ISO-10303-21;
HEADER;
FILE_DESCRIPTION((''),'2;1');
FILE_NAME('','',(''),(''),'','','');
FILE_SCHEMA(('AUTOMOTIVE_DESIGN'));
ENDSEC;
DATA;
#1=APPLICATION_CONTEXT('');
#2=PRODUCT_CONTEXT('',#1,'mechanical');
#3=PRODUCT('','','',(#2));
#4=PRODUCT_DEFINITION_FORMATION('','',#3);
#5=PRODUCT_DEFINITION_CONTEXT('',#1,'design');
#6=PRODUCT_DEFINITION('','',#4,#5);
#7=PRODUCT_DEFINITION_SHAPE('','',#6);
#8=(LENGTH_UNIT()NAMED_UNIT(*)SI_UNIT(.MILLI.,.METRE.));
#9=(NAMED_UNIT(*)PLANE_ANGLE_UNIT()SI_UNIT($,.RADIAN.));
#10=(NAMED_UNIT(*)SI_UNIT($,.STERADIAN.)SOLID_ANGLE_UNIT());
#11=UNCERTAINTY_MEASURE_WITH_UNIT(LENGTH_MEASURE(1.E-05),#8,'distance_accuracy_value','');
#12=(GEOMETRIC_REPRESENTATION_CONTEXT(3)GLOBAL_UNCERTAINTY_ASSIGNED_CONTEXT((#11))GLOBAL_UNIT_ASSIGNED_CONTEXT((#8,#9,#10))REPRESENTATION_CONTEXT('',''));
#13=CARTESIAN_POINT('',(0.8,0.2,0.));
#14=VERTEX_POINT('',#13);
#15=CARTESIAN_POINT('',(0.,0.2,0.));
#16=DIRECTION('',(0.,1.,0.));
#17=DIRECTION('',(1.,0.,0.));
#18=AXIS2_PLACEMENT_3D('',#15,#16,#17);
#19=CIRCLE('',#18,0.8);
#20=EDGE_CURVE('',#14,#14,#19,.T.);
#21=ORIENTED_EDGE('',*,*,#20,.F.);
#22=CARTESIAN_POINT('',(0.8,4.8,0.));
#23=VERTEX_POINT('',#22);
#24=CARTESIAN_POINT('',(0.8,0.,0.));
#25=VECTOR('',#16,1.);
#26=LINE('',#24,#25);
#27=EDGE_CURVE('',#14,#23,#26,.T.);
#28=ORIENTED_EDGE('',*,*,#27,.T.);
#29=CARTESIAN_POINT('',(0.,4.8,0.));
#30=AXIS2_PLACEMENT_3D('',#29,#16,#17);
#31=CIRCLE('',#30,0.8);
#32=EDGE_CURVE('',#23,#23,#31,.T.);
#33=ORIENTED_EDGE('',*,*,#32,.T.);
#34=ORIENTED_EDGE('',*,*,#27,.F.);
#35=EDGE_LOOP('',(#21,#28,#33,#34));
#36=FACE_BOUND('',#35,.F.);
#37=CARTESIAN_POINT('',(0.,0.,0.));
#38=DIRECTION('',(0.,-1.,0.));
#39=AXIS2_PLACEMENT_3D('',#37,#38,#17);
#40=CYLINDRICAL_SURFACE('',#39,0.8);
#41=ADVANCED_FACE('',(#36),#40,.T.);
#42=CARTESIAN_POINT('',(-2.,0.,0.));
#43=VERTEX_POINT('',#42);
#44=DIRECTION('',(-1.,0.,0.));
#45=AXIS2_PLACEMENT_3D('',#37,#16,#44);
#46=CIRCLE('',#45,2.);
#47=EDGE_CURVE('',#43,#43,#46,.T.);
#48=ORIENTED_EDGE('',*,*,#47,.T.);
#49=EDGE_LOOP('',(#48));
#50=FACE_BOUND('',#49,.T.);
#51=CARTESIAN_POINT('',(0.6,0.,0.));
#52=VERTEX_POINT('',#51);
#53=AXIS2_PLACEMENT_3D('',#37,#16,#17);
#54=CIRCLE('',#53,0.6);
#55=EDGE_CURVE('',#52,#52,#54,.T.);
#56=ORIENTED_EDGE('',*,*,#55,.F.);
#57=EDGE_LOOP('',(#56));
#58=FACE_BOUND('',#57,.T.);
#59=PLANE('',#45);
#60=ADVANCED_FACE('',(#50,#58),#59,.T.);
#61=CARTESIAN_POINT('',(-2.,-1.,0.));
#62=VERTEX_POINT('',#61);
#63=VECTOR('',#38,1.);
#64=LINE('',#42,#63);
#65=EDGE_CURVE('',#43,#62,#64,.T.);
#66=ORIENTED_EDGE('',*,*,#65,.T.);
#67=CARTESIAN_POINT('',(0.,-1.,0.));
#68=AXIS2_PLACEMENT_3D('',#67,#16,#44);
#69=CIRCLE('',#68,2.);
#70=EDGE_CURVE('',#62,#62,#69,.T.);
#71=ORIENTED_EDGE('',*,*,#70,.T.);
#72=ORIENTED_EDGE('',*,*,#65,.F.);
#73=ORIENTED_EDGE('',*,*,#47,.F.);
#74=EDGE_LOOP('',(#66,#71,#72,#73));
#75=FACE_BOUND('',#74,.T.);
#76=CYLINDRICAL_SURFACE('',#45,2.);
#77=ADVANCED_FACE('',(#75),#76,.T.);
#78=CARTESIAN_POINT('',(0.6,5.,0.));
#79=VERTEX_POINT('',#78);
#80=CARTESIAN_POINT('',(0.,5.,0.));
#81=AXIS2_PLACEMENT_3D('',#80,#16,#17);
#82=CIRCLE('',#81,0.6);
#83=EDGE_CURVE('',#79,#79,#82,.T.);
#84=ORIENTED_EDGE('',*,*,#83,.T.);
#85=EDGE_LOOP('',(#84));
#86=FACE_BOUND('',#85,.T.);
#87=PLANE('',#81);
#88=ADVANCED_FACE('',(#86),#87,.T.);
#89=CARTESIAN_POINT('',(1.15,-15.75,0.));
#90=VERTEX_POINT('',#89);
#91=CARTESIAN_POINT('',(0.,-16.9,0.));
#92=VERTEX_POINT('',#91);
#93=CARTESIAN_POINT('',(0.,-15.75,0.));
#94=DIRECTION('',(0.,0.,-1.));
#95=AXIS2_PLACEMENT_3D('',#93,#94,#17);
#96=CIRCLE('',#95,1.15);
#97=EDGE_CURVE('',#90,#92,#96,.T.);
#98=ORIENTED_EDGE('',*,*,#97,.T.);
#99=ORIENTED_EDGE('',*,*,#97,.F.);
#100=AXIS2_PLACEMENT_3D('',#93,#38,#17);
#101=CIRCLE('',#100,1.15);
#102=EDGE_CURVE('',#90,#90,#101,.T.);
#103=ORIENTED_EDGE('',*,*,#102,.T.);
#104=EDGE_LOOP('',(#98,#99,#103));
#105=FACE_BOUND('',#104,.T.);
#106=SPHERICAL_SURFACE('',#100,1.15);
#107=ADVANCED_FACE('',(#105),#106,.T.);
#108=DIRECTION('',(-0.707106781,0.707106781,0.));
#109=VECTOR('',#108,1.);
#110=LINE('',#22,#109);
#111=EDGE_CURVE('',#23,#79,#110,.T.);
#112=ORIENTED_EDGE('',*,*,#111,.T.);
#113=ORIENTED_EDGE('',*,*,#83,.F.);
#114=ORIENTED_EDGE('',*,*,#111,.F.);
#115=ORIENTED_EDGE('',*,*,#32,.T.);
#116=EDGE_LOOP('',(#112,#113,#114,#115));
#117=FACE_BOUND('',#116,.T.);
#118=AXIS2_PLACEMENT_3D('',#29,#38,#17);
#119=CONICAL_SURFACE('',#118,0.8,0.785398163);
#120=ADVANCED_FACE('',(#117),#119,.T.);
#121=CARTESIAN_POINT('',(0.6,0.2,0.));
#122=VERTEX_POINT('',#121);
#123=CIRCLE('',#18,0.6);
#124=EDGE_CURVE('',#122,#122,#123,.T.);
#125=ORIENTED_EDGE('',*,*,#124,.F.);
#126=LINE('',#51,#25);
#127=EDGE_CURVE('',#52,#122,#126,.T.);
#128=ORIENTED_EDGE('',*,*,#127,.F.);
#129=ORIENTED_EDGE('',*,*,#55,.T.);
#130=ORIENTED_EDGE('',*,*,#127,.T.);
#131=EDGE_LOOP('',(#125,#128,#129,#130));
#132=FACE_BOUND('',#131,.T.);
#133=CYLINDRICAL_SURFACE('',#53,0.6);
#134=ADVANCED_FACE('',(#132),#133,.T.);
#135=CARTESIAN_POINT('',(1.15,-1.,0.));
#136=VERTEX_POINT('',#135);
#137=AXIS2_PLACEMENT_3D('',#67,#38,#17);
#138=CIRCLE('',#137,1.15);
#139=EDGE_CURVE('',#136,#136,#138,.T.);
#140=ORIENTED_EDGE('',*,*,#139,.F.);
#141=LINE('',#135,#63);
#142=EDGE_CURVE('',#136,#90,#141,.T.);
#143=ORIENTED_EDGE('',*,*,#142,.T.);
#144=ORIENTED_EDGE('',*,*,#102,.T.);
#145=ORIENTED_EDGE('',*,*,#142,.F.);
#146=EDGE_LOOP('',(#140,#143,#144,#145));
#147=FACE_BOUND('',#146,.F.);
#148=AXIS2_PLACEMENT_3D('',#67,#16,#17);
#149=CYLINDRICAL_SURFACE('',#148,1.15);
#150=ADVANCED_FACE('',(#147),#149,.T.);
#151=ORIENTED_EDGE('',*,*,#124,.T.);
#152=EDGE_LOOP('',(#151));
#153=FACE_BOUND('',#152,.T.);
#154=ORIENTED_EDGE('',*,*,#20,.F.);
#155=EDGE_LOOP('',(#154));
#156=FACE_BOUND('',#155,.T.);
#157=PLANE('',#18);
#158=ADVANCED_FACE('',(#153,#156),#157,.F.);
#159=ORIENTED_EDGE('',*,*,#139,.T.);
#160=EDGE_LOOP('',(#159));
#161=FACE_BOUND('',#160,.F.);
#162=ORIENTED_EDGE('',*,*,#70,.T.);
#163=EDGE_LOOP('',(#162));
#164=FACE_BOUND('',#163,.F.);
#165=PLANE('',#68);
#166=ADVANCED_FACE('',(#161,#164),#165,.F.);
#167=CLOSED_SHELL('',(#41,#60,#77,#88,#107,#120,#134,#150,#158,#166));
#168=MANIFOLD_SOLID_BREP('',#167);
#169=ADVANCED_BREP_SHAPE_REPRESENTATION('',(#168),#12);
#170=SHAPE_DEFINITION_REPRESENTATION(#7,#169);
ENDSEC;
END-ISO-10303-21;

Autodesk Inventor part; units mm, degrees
ref_plane "YZ Plane" through (0, 0, 0) normal (1, 0, 0) x (0, 1, 0)
ref_plane "XZ Plane" through (0, 0, 0) normal (0, 1, 0) x (-1, 0, 0)
ref_plane "XY Plane" through (0, 0, 0) normal (0, 0, 1) x (1, 0, 0)
sketch "Sketch1" plane through (0, 0, 0) normal (0, 1, 0) x (-1, 0, 0)
  circle A0 centre (0, 0) radius 2
  dimension "d0" = 4
extrude "Extrusion1" add sketch "Sketch1" against normal blind 1
sketch "Sketch2" plane through (0, 0, 0) normal (0, 1, 0) x (1, 0, 0)
  circle A0 centre (0, 0) radius 0.8
  dimension "d4" = 1.6
extrude "Extrusion2" add sketch "Sketch2" along normal blind 5
thread "Thread1" size "M1.6x0.35" class "6g" standard "ISO Metric profile" full length
sketch "Sketch3" plane through (0, -1, 0) normal (0, -1, 0) x (1, 0, 0)
  circle A0 centre (0, 0) radius 1.15
  dimension "d9" = 2.3
extrude "Extrusion3" add sketch "Sketch3" along normal blind 15.9
fillet "Fillet2" radius 1.15 1 edges at (-1.15, -16.9, 0)
sketch "Sketch4" plane through (0, 0, 0) normal (0, 0, 1) x (1, 0, 0)
  line L0 (-2, -1) -> (2, -1) projected
  line L1 (2, 0) -> (-2, 0) projected
  line L2 (0.8, 5) -> (-0.8, 5) projected
  line L3 (-0.8, 0) -> (0.8, 0) projected
  line L4 (0.8, 0) -> (0.6, 0)
  line L5 (0.6, 0) -> (0.6, 0.2)
  line L6 (0.6, 0.2) -> (0.8, 0.2)
  line L7 (0.8, 0.2) -> (0.8, 0)
  line L8 (0, -2.2) -> (0, 6.2) projected
  point P0 (0, 0)
  dimension "d13" = 0.2
  dimension "d14" = 0.2
revolve "Revolution1" cut sketch "Sketch4" angle 360 about axis through (0, -10, 0) along (0, 1, 0)
chamfer "Chamfer1" distance 0.2 angle 45 1 edges at (-0.8, 5, 0)
equation "\"d12\" = 0.5 * d9"
properties part number "KN-00-03-01" material "X105CrMo17"
